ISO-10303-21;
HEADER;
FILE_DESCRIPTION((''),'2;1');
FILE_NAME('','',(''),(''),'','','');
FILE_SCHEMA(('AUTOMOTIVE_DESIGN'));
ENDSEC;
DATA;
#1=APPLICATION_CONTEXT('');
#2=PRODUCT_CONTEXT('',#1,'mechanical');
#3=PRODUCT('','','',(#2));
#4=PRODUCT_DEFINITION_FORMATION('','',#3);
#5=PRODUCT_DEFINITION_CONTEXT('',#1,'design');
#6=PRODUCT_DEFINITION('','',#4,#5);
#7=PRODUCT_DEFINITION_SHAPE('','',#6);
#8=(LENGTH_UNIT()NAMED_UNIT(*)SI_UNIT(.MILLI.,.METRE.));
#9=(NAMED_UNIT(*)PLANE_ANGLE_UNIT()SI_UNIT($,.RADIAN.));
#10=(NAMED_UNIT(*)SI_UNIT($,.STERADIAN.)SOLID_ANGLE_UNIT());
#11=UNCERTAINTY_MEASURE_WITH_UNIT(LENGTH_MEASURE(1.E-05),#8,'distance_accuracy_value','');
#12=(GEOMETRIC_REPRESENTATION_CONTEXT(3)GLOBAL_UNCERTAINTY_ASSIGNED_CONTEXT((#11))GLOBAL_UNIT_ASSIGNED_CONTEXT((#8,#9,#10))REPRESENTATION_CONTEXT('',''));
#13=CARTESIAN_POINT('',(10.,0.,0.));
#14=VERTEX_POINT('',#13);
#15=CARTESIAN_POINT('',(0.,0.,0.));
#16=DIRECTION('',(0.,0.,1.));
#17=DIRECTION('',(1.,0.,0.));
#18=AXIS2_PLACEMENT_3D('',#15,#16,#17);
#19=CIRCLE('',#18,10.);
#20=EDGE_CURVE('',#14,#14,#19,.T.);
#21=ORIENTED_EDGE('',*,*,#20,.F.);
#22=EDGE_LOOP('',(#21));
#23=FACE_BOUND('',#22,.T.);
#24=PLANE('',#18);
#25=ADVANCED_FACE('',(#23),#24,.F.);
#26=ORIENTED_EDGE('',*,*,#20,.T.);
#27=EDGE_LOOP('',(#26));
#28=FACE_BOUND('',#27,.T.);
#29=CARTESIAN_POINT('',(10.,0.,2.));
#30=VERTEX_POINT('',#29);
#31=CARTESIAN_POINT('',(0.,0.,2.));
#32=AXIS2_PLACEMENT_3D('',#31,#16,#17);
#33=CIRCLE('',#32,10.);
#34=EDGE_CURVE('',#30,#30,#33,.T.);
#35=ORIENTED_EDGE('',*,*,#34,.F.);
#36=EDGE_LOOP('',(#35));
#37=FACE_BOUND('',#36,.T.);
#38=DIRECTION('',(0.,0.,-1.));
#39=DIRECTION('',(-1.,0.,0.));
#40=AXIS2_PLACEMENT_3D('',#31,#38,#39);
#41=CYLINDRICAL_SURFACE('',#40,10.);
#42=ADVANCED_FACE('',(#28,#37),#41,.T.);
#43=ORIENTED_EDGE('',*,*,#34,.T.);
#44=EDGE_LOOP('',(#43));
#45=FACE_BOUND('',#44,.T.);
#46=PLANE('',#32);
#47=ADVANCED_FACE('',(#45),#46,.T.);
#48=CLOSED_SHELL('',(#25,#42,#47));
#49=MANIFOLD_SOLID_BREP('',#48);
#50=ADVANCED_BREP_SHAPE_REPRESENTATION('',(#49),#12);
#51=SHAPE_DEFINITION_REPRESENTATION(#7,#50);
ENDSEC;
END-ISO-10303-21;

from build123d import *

# Parameters (mm, degrees)
SKETCH_1_R      = 10
EXTRUDE_1_DEPTH = 2


with BuildPart() as part:
    # 草图1 → 凸台-拉伸1 (new body)
    with BuildSketch(Plane.XY):
        Circle(SKETCH_1_R)
    extrude(amount=EXTRUDE_1_DEPTH)


solid = part.part
